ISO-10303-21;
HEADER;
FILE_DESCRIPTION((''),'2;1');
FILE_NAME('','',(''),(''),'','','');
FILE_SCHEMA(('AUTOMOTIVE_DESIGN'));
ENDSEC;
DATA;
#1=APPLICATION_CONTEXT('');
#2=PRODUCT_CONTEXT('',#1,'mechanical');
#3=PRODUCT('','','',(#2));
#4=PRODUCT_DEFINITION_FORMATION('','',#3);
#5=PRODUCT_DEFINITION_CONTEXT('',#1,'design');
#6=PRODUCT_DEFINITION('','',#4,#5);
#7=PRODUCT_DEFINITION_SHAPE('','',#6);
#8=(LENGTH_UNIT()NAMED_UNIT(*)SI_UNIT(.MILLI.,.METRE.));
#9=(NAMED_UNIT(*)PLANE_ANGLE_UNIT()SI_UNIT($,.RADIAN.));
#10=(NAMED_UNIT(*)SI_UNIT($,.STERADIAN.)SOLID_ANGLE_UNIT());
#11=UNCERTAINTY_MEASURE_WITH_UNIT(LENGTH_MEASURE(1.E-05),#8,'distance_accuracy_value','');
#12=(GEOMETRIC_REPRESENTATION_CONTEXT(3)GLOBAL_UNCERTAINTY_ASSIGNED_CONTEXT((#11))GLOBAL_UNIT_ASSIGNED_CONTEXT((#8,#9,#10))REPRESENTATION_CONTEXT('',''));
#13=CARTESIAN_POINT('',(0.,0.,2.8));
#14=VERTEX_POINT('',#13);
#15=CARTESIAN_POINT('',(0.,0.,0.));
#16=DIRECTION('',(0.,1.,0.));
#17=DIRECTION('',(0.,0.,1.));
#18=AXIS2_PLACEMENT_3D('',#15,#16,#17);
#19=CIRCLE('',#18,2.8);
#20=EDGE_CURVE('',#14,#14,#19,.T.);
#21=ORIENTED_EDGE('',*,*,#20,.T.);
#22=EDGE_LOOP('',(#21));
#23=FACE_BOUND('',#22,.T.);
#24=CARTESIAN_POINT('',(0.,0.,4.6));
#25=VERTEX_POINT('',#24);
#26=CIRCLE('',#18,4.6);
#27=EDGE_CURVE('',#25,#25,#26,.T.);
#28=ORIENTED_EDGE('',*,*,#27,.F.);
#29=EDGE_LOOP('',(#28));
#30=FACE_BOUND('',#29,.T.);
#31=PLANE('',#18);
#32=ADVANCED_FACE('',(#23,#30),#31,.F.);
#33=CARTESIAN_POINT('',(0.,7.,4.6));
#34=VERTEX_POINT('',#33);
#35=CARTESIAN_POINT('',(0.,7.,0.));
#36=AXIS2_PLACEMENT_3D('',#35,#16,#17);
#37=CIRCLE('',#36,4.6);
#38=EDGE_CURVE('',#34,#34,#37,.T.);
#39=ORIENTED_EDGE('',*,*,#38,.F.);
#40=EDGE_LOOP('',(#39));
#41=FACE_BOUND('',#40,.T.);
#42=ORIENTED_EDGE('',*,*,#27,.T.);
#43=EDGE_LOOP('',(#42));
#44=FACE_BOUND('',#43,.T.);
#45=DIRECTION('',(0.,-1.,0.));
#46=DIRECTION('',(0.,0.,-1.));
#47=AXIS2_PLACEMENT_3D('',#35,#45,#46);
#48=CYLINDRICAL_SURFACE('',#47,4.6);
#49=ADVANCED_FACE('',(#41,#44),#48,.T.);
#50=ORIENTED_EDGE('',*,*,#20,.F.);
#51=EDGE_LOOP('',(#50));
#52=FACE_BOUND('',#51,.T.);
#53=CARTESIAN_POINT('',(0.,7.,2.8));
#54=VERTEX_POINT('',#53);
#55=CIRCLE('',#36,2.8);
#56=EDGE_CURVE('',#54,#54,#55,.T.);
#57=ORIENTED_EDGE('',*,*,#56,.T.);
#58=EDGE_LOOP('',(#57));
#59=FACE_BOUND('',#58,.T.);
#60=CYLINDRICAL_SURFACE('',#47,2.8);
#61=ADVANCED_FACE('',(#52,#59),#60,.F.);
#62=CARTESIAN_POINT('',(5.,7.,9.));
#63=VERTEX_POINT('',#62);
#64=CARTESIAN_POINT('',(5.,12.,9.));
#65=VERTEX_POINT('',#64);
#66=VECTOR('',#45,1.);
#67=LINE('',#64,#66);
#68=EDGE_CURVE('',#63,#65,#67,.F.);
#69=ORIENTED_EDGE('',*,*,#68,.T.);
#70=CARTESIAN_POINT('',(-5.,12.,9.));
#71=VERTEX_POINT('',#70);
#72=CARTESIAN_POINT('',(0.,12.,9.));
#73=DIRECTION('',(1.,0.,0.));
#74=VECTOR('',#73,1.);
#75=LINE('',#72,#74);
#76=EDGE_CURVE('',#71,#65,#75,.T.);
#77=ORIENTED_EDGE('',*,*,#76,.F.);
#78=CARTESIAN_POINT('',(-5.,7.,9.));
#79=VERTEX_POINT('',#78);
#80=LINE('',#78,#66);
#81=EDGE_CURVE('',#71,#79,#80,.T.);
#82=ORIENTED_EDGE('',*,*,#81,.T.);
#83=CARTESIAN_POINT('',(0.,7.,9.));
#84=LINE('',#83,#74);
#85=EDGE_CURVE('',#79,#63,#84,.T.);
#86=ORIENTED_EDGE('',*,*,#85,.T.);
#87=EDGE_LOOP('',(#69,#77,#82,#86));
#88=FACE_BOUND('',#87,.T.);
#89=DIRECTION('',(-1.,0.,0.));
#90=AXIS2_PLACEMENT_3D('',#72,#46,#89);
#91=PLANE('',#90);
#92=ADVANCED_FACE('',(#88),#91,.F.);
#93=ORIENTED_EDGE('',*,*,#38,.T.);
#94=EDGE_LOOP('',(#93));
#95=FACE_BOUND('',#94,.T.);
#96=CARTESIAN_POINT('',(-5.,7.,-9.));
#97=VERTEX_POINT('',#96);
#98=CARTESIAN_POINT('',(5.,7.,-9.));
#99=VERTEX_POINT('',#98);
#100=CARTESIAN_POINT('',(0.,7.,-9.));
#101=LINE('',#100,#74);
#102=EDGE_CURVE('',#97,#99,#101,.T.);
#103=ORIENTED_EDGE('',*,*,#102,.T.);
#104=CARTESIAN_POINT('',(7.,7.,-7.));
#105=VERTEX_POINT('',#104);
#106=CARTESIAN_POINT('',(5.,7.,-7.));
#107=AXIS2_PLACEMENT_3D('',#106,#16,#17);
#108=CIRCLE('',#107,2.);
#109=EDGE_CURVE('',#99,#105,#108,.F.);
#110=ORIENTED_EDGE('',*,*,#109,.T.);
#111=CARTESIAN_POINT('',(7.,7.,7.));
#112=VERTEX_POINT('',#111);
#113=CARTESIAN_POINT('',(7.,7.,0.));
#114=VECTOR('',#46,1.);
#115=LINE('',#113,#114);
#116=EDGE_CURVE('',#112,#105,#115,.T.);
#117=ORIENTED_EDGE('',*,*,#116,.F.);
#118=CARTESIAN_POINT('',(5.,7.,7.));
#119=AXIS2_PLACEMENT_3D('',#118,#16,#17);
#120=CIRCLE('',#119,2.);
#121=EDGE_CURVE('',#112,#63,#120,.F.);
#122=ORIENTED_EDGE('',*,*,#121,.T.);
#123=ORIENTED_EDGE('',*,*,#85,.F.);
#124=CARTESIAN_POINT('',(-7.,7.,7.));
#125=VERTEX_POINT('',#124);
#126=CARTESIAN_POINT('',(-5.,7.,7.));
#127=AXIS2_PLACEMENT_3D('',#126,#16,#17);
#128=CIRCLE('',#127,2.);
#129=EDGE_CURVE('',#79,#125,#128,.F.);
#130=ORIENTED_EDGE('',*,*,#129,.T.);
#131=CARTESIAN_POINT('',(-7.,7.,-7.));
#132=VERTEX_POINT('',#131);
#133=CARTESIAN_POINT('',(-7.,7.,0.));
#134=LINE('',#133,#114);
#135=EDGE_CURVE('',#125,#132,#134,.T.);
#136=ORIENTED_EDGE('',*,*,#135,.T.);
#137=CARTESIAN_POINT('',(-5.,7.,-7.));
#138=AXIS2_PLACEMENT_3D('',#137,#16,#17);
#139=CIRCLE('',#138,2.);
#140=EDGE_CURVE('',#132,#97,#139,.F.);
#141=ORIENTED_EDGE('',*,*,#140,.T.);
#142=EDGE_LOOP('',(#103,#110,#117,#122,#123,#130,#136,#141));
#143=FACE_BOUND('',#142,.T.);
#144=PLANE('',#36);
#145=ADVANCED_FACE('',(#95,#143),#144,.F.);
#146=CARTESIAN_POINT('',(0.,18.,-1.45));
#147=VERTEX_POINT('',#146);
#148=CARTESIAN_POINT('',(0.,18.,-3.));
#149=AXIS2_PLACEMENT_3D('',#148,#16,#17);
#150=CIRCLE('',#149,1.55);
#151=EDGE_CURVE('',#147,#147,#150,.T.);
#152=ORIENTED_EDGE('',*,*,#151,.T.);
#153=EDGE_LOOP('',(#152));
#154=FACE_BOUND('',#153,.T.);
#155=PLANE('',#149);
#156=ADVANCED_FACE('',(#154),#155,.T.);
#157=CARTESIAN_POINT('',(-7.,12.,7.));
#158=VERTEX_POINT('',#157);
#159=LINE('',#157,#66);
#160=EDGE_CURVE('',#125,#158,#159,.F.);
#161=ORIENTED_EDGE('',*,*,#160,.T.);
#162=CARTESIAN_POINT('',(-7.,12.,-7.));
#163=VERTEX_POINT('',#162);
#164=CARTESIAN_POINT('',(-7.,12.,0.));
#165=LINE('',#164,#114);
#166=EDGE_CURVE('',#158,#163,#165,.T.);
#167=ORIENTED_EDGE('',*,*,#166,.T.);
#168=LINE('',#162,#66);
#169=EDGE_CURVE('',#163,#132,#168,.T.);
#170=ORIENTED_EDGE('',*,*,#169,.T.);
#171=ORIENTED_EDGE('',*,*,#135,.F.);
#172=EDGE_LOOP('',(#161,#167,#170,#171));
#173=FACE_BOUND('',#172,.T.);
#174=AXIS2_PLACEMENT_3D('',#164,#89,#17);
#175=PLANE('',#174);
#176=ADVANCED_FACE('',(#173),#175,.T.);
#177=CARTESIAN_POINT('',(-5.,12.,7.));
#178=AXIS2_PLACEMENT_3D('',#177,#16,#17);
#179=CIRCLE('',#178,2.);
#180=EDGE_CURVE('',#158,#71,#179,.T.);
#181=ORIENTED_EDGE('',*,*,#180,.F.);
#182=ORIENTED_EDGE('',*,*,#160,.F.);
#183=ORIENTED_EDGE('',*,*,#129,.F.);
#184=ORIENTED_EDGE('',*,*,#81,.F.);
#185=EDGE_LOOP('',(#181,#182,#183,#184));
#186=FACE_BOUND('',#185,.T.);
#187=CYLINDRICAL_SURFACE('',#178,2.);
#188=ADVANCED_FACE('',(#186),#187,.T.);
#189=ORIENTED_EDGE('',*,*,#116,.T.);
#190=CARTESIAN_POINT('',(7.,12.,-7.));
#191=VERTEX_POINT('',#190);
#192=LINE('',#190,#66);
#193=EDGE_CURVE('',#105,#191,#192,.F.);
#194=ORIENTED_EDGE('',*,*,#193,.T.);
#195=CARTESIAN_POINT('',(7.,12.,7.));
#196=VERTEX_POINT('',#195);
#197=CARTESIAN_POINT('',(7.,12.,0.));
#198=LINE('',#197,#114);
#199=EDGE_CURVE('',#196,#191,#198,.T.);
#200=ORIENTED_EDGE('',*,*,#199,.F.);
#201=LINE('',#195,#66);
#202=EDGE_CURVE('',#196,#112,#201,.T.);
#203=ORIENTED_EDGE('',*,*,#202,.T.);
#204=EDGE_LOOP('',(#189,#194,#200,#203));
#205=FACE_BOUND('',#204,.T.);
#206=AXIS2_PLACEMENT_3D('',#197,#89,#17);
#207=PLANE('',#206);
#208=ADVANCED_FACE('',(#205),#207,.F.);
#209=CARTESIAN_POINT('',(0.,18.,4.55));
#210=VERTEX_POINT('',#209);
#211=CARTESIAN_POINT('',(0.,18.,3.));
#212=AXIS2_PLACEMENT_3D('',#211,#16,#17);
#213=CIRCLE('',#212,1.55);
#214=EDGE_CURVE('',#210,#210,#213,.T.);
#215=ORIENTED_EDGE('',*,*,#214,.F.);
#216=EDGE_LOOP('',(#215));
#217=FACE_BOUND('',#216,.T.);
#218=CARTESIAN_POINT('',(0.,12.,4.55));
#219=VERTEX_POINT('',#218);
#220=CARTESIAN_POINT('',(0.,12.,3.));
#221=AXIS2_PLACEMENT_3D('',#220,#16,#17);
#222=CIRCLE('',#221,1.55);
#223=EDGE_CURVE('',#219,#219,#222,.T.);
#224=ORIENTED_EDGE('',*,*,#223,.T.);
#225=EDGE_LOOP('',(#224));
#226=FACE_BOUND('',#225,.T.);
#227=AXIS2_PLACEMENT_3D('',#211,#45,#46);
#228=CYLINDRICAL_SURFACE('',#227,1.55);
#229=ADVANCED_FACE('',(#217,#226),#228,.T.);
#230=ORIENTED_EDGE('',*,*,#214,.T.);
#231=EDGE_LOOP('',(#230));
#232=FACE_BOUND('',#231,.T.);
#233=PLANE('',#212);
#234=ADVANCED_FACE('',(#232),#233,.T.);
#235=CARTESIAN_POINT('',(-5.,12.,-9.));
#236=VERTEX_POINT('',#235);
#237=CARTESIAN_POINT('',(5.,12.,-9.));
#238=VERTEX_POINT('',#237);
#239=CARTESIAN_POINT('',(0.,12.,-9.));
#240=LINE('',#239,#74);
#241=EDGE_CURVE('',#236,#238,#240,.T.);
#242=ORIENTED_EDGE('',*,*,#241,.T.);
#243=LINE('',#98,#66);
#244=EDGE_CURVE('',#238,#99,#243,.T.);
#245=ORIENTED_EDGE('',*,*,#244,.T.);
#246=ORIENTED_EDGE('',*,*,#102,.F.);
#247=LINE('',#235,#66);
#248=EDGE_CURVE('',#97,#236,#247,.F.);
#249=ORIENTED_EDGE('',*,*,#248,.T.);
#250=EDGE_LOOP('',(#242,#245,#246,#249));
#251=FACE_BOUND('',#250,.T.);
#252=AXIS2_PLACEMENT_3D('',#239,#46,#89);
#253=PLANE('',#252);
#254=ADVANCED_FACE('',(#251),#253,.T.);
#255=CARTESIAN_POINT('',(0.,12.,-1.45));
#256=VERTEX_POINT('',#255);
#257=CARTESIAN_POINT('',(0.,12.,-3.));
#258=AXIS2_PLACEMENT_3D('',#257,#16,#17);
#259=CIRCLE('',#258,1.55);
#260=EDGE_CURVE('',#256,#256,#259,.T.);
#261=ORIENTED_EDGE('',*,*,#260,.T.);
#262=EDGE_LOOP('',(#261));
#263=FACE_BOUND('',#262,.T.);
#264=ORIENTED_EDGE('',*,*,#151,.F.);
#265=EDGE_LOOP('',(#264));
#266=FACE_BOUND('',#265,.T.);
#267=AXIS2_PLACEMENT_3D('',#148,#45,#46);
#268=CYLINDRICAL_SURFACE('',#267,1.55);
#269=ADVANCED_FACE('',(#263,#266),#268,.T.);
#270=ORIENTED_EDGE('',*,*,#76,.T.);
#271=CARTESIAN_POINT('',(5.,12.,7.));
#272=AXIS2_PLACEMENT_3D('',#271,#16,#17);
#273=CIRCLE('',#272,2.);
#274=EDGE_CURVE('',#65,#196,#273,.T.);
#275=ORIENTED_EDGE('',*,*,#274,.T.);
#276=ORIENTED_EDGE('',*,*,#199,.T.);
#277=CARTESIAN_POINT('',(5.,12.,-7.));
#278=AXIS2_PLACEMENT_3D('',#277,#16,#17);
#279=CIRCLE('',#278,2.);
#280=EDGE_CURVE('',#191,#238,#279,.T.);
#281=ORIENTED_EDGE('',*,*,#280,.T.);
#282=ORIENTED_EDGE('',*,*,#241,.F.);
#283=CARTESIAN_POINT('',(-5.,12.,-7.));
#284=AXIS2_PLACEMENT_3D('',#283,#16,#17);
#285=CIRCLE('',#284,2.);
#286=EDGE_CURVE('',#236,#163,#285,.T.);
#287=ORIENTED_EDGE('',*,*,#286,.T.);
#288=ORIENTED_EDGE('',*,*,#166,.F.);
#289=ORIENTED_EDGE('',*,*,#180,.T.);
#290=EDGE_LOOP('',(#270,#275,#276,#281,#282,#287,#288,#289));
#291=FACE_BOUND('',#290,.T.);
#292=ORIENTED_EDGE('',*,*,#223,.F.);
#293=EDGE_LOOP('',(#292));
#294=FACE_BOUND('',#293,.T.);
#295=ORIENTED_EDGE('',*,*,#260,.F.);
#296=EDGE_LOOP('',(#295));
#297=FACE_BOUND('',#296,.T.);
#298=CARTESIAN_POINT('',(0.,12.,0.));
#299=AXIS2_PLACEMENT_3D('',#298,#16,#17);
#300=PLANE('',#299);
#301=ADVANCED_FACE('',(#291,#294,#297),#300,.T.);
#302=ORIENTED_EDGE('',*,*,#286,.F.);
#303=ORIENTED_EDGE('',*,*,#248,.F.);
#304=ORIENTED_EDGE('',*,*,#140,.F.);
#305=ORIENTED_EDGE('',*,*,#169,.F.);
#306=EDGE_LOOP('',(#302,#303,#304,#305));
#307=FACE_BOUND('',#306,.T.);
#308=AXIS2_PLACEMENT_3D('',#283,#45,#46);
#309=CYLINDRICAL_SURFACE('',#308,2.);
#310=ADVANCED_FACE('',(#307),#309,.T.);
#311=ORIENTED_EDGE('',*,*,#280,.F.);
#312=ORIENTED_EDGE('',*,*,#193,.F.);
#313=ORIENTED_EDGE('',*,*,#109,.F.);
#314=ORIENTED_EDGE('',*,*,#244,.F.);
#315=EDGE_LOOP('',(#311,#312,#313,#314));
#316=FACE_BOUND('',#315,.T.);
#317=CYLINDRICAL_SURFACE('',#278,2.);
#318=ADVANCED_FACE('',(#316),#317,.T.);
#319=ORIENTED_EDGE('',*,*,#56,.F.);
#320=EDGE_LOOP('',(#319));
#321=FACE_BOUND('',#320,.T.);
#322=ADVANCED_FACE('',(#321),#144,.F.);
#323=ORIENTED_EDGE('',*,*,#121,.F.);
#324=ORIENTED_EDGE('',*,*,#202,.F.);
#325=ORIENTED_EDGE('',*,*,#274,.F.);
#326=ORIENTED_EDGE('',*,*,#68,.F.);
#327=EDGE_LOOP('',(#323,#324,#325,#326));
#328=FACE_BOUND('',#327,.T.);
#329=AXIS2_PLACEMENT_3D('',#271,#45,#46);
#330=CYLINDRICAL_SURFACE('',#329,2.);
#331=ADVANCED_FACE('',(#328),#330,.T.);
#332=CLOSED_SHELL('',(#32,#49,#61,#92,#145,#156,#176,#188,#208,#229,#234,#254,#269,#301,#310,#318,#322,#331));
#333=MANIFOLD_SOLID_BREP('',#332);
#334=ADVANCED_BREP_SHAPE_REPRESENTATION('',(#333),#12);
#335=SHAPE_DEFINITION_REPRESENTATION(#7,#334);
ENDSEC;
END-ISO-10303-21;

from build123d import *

# Parameters (mm, degrees)
SKETCH1_R           = 4.6
SKETCH1_R_2         = 2.8
ACOPLE_PALITO_DEPTH = 7
CUERPO_START        = 7
SKETCH1_3_W         = 14
SKETCH1_3_H         = 18
CUERPO_DEPTH        = 5
SKETCH2_R           = 1.55
ACOPLE_SENSOR_DEPTH = 6
FILLET1_R           = 2


with BuildPart() as part:
    # Sketch1 → Acople palito (new body)
    with BuildSketch(Plane(origin=(0, 0, 0), x_dir=(1, 0, 0), z_dir=(0, 1, 0))):
        Circle(SKETCH1_R)
        Circle(SKETCH1_R_2, mode=Mode.SUBTRACT)
    extrude(amount=ACOPLE_PALITO_DEPTH)

    # Sketch1<3> → Cuerpo (add)
    with BuildSketch(Plane(origin=(0, 0, 0), x_dir=(1, 0, 0), z_dir=(0, 1, 0)).offset(CUERPO_START)):
        Rectangle(SKETCH1_3_W, SKETCH1_3_H)
    extrude(amount=CUERPO_DEPTH)

    # Sketch2 → Acople sensor (add)
    with BuildSketch(Plane(origin=(0, 12, 0), x_dir=(1, 0, 0), z_dir=(0, 1, 0))):
        with Locations((0, 3)):
            Circle(SKETCH2_R)
        with Locations((0, -3)):
            Circle(SKETCH2_R)
    extrude(amount=ACOPLE_SENSOR_DEPTH)

    # Fillet1
    fillet1_edges = [part.edges().sort_by_distance(p)[0] for p in [
        (7, 9.5, 9),
        (-7, 9.5, 9),
        (-7, 9.5, -9),
        (7, 9.5, -9),
    ]]
    fillet(fillet1_edges, radius=FILLET1_R)


solid = part.part
